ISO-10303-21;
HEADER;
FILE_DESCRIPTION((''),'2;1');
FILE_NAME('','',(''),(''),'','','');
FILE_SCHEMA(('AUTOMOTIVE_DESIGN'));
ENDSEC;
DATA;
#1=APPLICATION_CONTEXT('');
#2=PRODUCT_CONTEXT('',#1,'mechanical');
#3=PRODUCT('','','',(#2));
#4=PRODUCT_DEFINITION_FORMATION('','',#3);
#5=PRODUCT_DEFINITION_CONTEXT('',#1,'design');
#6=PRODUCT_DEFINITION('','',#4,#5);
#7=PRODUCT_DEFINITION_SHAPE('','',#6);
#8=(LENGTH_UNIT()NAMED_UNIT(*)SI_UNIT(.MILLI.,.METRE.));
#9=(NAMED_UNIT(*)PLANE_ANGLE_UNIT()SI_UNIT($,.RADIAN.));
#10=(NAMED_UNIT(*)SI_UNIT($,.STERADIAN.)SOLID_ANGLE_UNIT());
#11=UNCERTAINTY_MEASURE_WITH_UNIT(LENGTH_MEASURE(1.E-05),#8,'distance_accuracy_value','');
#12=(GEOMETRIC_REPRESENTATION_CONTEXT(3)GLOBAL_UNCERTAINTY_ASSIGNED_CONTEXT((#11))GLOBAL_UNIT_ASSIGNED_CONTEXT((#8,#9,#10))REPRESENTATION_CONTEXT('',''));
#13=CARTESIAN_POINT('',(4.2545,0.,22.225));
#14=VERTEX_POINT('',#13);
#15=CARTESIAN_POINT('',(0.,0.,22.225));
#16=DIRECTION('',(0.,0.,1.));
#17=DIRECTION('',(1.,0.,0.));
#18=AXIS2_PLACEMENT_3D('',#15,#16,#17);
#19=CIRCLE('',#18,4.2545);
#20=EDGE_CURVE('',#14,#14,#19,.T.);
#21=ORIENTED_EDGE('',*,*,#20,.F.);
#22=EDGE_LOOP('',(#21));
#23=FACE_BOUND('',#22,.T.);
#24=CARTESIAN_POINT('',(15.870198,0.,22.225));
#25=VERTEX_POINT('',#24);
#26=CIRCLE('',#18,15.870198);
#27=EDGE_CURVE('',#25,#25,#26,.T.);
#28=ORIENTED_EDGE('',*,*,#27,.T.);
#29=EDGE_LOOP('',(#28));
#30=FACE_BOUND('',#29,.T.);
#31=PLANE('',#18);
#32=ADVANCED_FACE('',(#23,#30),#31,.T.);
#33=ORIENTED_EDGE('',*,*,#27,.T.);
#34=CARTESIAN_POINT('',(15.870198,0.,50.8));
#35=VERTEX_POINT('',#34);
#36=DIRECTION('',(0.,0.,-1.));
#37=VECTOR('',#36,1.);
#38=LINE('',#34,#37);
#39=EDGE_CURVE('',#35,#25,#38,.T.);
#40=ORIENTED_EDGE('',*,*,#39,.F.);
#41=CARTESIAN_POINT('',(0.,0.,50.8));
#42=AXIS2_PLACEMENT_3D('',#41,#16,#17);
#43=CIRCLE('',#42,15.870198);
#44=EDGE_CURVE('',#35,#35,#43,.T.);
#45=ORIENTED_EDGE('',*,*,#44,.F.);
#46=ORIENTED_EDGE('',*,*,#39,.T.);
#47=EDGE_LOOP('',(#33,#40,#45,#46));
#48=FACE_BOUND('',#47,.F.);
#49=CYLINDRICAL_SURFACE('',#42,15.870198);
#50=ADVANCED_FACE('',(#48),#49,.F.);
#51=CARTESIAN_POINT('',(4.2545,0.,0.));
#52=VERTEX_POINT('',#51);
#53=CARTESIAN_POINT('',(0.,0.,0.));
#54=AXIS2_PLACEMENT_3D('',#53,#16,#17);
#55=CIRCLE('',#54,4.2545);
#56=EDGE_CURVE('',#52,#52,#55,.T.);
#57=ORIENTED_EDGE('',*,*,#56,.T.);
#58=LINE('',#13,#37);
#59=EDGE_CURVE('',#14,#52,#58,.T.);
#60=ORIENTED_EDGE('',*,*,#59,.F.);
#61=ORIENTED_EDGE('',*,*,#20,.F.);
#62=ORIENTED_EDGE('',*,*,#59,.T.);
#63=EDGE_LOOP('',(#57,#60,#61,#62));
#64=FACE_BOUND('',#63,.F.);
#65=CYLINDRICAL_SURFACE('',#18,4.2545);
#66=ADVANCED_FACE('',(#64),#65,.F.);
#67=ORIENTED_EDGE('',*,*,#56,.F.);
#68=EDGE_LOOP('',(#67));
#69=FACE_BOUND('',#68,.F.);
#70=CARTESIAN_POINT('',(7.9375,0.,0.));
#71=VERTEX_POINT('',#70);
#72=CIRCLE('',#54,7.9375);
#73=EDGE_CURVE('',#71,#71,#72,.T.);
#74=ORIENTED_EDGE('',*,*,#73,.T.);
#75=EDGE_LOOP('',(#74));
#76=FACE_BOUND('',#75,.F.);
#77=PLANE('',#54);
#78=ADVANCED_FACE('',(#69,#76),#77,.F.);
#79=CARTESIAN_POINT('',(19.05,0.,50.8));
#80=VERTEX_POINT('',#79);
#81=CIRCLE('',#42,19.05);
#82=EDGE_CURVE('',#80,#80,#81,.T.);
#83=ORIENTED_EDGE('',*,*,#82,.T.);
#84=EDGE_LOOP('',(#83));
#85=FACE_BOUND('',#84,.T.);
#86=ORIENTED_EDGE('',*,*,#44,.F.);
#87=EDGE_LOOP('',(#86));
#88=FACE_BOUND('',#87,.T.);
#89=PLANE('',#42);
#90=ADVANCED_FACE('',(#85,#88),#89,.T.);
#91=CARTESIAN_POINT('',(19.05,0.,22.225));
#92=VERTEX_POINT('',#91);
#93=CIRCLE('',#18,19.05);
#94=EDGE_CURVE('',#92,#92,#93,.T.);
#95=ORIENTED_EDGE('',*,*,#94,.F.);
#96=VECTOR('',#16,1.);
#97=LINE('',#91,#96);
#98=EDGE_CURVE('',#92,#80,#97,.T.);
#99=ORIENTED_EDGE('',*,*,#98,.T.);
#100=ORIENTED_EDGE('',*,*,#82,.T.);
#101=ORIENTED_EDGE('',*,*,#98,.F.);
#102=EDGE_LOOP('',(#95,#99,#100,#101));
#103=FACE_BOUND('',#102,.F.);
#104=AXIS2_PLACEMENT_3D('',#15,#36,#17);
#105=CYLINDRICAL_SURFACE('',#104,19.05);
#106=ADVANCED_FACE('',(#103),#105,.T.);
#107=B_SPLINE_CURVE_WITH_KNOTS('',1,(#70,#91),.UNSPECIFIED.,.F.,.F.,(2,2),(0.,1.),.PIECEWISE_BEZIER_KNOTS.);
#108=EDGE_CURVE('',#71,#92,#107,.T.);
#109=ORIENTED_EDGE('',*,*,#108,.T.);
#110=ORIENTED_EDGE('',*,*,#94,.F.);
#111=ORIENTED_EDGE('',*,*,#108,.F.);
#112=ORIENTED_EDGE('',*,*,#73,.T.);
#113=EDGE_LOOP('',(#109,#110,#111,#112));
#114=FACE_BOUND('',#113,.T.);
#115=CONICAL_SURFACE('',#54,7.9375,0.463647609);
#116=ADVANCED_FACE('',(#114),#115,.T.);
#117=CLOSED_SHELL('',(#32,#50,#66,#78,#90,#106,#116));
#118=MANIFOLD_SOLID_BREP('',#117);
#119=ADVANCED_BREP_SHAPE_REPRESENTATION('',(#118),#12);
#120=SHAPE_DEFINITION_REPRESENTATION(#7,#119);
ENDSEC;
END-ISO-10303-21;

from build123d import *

# Parameters (mm, degrees)
F2_R     = 7.9375
F1_R     = 19.05
F4_R     = 4.2545
F5_DEPTH = 22.225
F6_DEPTH = 28.575
F7_R     = 15.870198
F8_DEPTH = 28.575


with BuildPart() as f3:
    # F2 (on Top) → F3 section 0
    with BuildSketch(Plane.XY):
        Circle(F2_R)
    # F1 (on offset) → F3 section 1
    with BuildSketch(Plane.XY.offset(22.225)):
        Circle(F1_R)
    loft()

    # F4 (on offset) → F5 (cut)
    with BuildSketch(Plane.XY.offset(22.225)):
        Circle(F4_R)
    extrude(amount=-F5_DEPTH, mode=Mode.SUBTRACT)

    # F1 (on offset) → F6 (join)
    with BuildSketch(Plane.XY.offset(22.225)):
        Circle(F1_R)
    extrude(amount=F6_DEPTH)

    # F7 (on face) → F8 (cut)
    with BuildSketch(Plane.XY.offset(50.8)):
        Circle(F7_R)
    extrude(amount=-F8_DEPTH, mode=Mode.SUBTRACT)


solid = f3.part
